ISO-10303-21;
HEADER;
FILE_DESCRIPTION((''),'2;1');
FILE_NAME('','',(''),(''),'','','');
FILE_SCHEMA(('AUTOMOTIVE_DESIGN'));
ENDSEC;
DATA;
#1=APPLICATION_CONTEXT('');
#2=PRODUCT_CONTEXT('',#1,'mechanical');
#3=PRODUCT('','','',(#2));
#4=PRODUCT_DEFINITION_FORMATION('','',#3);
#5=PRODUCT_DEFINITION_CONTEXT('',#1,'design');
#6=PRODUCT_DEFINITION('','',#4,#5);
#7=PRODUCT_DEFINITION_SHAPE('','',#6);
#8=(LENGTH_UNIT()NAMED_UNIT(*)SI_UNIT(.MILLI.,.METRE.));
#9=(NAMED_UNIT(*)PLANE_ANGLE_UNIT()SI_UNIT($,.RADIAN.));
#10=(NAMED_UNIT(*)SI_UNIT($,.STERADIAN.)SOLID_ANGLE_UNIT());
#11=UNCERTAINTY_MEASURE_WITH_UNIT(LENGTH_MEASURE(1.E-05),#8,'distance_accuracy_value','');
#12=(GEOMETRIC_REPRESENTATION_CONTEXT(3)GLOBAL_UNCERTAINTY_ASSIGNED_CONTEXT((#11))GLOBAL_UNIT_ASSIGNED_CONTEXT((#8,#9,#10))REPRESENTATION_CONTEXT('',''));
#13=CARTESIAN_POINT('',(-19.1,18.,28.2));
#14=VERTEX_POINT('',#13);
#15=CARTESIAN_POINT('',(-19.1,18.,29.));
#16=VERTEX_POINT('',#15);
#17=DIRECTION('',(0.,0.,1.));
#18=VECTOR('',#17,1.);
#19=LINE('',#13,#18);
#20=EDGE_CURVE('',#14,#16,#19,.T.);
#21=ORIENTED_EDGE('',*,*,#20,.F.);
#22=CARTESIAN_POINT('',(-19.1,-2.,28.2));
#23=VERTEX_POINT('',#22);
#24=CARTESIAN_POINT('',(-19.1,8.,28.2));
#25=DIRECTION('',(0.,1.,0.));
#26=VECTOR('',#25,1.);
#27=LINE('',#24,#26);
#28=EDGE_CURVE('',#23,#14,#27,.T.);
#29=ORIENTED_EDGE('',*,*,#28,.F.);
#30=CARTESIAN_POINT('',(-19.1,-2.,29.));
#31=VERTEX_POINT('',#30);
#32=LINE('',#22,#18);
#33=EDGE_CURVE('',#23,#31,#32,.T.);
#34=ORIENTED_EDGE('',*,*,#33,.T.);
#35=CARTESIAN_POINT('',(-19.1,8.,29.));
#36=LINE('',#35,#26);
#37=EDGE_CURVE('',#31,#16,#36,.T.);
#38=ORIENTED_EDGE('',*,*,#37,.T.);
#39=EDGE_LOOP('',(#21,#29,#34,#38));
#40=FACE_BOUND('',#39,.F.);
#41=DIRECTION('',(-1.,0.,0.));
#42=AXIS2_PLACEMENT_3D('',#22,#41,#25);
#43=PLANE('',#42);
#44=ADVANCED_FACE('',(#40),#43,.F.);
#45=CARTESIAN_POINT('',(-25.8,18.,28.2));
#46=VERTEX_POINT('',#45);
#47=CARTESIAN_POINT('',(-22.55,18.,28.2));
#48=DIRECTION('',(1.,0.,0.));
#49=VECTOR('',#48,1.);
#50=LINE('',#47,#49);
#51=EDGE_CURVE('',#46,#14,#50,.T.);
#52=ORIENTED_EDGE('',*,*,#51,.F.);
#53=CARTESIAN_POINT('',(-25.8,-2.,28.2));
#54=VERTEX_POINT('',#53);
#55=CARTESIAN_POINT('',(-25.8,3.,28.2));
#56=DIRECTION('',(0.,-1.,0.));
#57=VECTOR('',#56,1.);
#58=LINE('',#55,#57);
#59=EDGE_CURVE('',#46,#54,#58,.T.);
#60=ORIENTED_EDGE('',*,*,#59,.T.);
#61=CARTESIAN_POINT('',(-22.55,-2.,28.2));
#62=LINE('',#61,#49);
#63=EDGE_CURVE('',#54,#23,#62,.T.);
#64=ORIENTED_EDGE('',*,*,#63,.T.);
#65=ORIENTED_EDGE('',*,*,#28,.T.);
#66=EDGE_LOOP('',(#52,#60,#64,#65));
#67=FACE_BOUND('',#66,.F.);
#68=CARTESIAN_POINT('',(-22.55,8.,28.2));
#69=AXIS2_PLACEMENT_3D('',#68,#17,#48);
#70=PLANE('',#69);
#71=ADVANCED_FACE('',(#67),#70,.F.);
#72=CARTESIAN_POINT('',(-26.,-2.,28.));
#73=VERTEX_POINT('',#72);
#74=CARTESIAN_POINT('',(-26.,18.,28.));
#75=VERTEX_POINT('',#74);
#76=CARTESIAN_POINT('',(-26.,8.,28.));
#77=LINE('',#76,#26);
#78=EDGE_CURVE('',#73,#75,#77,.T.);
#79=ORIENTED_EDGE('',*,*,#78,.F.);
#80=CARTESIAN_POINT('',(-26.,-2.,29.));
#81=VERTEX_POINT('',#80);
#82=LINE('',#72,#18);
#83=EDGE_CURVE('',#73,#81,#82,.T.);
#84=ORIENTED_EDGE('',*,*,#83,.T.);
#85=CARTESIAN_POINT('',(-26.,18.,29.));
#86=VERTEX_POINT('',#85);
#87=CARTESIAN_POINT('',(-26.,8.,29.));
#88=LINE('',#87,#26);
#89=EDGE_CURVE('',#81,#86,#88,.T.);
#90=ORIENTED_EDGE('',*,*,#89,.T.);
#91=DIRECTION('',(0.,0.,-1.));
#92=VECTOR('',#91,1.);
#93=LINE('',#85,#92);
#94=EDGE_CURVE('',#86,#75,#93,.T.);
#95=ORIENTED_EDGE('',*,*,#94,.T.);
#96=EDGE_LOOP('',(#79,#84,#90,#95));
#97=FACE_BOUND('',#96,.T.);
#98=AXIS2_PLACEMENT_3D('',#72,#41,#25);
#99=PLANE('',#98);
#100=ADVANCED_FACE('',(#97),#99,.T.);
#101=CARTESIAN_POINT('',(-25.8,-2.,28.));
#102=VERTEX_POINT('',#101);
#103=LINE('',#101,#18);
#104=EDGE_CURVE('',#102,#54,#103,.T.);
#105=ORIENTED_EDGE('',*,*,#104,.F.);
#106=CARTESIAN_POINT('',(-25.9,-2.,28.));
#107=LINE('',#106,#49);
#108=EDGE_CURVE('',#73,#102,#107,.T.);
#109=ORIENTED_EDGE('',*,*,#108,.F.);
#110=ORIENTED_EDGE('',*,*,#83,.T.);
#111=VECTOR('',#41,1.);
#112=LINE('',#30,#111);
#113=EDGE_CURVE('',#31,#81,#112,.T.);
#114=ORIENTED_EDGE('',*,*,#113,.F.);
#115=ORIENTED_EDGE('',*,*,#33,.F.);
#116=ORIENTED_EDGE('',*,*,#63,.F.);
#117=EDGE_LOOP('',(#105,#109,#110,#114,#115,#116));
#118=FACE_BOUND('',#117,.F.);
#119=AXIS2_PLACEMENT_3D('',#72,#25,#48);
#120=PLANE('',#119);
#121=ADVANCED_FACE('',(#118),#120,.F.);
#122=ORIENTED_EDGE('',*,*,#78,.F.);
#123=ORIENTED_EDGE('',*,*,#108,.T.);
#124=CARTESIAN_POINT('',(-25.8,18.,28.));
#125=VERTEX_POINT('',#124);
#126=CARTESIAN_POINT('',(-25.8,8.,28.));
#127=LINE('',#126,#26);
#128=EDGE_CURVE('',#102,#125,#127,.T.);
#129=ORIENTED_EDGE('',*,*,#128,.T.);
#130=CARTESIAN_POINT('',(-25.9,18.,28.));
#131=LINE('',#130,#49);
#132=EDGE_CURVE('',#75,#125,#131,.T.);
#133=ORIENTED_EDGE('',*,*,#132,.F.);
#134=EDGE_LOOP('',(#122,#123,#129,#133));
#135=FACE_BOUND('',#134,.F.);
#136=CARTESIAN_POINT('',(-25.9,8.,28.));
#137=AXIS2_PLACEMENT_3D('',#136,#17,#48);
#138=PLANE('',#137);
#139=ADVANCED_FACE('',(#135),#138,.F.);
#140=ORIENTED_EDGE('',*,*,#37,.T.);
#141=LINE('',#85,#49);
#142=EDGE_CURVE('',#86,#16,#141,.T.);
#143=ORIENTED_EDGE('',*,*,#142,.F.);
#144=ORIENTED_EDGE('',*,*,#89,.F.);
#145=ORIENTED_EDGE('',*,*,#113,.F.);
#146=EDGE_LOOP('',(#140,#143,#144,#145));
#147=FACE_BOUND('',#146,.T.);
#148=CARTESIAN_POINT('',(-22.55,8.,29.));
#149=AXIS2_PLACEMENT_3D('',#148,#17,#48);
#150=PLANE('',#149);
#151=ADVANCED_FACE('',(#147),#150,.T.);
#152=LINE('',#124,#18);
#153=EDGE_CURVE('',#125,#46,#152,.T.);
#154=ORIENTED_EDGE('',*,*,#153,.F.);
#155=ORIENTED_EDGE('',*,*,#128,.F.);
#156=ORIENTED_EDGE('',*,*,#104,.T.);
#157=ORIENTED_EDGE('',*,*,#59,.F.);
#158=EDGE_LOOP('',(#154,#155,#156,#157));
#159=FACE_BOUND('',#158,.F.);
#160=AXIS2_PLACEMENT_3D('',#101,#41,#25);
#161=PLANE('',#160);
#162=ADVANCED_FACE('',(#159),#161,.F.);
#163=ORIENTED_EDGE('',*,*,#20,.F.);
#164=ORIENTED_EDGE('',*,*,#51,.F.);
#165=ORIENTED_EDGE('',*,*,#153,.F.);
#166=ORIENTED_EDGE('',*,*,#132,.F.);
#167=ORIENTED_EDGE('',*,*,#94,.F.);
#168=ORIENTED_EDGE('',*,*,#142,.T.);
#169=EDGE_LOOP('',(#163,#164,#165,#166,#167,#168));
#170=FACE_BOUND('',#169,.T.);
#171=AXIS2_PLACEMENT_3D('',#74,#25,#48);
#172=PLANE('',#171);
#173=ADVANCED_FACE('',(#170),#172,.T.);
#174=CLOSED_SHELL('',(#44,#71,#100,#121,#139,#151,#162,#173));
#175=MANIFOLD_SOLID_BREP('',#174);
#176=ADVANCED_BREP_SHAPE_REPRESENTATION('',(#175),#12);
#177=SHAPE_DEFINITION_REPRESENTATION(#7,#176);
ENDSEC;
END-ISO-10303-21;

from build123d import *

# Parameters (mm, degrees)
BOX039_W     = 0.2
BOX039_H     = 20
BOX039_DEPTH = 1
BOX040_W     = 6.9
BOX040_H     = 20
BOX040_DEPTH = 0.8


with BuildPart() as cube039:
    # Box039 → Box039 (new body)
    with BuildSketch(Plane(origin=(-26, -2, 28), x_dir=(1, 0, 0), z_dir=(0, 0, 1))):
        with Locations((0.1, 10)):
            Rectangle(BOX039_W, BOX039_H)
    extrude(amount=BOX039_DEPTH)


with BuildPart() as custom_support:
    # Box040 → Box040 (new body)
    with BuildSketch(Plane(origin=(-26, -2, 28.2), x_dir=(1, 0, 0), z_dir=(0, 0, 1))):
        with Locations((3.45, 10)):
            Rectangle(BOX040_W, BOX040_H)
    extrude(amount=BOX040_DEPTH)

    # Fusion001002012025: union Cube039
    add(cube039.part)


solid = custom_support.part
